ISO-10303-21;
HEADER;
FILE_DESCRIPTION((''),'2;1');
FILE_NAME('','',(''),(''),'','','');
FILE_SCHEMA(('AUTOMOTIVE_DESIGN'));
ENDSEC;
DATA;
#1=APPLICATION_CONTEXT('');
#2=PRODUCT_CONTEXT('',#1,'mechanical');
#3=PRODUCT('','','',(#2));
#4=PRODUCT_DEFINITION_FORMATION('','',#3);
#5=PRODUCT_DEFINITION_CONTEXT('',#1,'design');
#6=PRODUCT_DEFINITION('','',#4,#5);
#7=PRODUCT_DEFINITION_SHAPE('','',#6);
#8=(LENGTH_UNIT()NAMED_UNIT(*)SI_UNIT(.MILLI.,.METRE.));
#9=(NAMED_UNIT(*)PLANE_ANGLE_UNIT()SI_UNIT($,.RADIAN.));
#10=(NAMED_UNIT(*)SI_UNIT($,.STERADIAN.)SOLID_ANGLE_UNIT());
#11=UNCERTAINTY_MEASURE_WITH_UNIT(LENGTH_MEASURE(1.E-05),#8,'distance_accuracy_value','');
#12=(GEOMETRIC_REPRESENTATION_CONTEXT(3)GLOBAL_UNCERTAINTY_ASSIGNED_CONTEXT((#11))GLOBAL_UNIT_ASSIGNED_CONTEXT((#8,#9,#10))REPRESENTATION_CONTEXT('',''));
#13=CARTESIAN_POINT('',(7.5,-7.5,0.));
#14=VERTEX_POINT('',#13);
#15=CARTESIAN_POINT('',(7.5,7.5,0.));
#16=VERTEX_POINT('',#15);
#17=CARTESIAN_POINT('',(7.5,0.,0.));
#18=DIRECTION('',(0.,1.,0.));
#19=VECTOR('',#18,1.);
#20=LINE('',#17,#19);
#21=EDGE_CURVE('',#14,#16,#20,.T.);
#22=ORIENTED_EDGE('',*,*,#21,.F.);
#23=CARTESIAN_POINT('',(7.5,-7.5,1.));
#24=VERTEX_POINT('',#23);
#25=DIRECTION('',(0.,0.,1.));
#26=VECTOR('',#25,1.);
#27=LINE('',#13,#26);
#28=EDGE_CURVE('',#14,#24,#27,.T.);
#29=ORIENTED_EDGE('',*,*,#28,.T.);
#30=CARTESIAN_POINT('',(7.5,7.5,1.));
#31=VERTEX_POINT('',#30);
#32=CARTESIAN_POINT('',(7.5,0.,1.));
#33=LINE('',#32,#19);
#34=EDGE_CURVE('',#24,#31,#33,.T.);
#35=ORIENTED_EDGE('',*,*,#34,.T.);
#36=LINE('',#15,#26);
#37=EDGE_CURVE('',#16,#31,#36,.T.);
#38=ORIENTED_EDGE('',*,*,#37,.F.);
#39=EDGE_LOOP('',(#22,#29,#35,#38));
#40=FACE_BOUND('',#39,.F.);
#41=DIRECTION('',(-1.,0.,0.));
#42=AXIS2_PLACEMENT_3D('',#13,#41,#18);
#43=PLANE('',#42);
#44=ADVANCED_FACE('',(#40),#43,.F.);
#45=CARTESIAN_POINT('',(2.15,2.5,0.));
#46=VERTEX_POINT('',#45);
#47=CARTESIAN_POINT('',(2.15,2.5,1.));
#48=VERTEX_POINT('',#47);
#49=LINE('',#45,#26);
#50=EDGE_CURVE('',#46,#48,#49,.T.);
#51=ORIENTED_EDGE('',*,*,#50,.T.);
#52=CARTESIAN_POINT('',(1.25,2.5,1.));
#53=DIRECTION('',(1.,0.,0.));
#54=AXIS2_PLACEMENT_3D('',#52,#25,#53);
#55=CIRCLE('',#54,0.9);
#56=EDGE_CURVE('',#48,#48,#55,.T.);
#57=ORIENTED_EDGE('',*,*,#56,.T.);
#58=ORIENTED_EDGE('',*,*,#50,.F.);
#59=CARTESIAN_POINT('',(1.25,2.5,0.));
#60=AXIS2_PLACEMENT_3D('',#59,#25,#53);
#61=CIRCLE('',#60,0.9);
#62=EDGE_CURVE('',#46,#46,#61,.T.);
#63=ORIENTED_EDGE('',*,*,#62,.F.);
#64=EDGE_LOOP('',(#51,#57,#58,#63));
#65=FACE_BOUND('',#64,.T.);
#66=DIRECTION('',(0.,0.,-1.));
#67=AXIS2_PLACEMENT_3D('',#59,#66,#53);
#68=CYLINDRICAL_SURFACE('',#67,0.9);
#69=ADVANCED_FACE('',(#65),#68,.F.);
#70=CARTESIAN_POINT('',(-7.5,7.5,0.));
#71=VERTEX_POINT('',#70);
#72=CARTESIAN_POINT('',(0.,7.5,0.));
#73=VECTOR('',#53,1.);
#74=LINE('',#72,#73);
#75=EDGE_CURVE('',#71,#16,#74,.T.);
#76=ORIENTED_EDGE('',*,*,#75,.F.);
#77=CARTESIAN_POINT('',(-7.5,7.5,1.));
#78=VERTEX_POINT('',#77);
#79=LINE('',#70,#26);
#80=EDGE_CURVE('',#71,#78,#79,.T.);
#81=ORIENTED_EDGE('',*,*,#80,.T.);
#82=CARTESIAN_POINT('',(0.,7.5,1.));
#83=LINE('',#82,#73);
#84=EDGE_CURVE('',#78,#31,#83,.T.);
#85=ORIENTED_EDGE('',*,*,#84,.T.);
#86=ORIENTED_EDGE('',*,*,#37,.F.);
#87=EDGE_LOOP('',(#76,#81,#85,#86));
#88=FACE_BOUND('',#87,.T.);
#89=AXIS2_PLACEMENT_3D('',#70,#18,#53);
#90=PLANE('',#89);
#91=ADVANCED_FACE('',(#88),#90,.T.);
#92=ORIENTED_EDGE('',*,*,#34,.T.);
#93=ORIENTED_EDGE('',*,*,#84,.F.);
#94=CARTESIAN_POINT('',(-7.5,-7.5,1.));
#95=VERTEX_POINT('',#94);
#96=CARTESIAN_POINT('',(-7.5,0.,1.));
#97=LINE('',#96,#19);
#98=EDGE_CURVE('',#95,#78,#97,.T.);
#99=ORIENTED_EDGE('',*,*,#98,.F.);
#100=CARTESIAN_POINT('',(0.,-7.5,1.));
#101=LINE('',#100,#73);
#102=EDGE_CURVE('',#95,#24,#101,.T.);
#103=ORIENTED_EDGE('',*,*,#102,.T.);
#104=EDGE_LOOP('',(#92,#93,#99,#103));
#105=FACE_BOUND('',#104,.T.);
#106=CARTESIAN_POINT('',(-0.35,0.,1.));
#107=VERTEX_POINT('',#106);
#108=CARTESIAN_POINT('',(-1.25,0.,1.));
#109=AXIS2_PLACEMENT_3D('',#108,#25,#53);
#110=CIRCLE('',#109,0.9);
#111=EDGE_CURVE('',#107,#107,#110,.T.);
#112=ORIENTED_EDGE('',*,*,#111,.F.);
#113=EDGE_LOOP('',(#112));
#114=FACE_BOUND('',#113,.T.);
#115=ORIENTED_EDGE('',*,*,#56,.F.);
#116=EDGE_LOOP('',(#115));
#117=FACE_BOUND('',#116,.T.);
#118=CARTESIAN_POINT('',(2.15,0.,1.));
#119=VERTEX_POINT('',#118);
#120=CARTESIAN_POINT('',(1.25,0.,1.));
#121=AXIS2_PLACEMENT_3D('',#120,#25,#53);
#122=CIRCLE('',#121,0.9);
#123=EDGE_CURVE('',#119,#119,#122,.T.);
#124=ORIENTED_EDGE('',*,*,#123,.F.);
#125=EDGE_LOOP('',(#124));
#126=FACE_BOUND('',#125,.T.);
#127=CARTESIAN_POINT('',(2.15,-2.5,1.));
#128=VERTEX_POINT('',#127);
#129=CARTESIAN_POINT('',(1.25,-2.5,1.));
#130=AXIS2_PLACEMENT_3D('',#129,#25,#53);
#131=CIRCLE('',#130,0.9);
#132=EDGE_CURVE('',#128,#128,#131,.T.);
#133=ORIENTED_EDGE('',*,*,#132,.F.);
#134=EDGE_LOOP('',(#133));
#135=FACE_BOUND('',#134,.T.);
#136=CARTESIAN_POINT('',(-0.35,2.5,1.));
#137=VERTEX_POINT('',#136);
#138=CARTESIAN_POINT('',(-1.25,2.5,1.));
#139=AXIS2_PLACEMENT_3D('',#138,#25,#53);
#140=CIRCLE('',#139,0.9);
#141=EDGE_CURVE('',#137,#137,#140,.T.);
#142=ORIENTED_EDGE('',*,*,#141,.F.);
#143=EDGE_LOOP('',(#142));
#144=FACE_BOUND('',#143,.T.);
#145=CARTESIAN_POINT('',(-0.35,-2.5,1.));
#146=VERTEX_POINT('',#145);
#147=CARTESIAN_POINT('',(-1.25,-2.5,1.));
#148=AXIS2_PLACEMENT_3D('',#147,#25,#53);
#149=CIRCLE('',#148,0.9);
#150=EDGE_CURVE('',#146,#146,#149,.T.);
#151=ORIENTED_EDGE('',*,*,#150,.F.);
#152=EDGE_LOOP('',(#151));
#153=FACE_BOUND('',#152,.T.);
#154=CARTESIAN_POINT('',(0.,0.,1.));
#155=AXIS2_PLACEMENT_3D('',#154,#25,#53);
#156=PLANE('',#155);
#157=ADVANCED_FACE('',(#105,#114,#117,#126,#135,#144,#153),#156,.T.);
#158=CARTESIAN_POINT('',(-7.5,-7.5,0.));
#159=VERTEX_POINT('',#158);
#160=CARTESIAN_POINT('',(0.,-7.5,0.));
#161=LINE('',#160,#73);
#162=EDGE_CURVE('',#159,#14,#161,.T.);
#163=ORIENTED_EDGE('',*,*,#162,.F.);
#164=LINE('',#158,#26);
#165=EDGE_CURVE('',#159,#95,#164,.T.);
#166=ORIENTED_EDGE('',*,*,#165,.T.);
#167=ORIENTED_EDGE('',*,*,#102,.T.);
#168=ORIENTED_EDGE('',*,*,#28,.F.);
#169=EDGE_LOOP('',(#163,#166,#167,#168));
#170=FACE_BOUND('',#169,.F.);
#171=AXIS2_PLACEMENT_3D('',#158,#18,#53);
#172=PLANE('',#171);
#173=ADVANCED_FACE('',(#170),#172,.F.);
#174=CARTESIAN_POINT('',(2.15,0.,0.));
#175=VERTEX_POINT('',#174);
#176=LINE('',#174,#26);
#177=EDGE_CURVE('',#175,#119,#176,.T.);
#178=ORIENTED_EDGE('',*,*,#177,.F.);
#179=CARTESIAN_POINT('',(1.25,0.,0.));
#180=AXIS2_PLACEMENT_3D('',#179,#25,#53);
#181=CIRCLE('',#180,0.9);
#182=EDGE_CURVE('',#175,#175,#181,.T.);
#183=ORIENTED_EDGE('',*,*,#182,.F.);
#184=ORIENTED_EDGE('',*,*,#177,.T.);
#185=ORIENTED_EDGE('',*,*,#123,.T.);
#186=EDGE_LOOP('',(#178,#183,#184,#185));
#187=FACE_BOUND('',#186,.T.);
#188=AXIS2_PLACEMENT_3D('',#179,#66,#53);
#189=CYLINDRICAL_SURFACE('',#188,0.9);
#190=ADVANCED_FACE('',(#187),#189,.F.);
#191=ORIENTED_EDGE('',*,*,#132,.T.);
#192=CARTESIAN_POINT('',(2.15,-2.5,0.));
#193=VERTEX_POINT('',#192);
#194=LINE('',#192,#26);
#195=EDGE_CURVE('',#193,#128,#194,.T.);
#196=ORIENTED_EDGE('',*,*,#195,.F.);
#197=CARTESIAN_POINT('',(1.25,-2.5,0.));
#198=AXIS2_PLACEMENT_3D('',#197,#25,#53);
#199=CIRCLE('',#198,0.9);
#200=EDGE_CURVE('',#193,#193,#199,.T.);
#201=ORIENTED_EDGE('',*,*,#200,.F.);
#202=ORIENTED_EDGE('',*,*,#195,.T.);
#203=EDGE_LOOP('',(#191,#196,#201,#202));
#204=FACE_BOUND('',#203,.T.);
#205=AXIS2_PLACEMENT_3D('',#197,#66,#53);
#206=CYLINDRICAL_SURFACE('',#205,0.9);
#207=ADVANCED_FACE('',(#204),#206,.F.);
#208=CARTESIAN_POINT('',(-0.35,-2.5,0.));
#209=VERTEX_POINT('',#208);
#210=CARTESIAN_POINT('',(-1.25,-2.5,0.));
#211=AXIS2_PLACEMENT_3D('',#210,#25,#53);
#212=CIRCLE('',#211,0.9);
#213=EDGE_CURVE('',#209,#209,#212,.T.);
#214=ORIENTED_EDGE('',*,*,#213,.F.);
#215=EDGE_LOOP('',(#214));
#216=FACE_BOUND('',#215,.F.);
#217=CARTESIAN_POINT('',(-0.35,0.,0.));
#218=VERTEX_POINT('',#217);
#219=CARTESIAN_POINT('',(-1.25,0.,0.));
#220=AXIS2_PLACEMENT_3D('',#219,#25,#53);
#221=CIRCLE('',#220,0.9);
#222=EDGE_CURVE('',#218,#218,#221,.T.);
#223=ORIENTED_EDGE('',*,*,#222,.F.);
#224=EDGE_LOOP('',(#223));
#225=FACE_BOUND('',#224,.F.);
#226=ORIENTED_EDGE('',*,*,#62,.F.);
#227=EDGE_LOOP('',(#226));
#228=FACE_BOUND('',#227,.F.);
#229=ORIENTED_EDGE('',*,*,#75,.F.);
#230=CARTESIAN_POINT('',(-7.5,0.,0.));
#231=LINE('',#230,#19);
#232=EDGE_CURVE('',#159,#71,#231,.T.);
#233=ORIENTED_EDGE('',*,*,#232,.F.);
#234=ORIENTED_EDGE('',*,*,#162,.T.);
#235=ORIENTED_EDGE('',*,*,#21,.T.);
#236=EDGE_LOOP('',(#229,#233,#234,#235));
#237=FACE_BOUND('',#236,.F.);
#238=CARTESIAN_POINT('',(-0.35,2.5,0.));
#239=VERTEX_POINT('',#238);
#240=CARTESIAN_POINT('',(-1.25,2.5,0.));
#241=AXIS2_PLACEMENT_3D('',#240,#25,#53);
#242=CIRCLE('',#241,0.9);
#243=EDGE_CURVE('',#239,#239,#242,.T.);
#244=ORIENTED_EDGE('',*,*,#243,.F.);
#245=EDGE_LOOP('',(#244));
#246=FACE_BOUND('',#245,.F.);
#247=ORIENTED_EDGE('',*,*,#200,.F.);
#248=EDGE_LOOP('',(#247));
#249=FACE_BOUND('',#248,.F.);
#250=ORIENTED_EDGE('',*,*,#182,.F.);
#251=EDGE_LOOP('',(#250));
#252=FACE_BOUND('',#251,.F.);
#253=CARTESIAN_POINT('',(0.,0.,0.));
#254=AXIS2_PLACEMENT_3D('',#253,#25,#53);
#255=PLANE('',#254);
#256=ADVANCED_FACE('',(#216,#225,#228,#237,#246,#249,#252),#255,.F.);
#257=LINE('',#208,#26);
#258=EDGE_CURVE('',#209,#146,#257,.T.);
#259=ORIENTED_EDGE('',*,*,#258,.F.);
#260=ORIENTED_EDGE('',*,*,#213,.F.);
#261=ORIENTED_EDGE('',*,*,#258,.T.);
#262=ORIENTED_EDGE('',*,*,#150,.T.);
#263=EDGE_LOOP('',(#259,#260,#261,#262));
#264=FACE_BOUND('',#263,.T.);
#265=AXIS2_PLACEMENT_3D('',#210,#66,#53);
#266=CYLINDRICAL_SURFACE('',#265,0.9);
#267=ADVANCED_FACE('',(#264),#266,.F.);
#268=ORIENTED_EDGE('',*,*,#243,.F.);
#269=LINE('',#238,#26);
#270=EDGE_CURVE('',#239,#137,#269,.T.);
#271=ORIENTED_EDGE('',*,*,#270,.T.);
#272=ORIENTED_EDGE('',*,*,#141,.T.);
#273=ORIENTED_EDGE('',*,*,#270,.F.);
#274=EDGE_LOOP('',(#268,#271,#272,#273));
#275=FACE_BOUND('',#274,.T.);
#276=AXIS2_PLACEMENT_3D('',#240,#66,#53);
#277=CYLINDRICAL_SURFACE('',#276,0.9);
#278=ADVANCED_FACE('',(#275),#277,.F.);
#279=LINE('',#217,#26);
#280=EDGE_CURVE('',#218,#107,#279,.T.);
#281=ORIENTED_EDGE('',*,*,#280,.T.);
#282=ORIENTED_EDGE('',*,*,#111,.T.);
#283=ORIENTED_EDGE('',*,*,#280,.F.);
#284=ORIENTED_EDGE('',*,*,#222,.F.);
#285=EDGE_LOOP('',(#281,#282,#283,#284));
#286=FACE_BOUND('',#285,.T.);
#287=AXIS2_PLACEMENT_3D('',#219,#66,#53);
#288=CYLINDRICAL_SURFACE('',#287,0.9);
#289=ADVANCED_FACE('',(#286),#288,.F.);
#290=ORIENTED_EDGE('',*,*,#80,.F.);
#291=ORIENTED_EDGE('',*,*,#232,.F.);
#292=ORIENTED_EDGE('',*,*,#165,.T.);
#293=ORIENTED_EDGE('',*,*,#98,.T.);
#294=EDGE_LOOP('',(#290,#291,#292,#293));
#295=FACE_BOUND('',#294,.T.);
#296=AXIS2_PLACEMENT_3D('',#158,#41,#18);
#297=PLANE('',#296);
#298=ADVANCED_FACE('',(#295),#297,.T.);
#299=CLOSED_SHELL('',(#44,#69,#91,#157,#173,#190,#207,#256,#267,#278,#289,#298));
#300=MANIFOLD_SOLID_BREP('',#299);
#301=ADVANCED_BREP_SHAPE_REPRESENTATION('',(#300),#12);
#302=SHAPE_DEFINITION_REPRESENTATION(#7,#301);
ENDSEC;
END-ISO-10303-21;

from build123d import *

# Parameters (mm, degrees)
F0_W     = 15
F0_H     = 15
F0_R     = 0.9
F1_DEPTH = 1


with BuildPart() as f1:
    # F0 (on Top) → F1 (new body)
    with BuildSketch(Plane.XY):
        Rectangle(F0_W, F0_H)
        with Locations((-1.25, -2.5)):
            Circle(F0_R, mode=Mode.SUBTRACT)
        with Locations((1.25, -2.5)):
            Circle(F0_R, mode=Mode.SUBTRACT)
        with Locations((-1.25, 0)):
            Circle(F0_R, mode=Mode.SUBTRACT)
        with Locations((-1.25, 2.5)):
            Circle(F0_R, mode=Mode.SUBTRACT)
        with Locations((1.25, 0)):
            Circle(F0_R, mode=Mode.SUBTRACT)
        with Locations((1.25, 2.5)):
            Circle(F0_R, mode=Mode.SUBTRACT)
    extrude(amount=F1_DEPTH)


solid = f1.part
